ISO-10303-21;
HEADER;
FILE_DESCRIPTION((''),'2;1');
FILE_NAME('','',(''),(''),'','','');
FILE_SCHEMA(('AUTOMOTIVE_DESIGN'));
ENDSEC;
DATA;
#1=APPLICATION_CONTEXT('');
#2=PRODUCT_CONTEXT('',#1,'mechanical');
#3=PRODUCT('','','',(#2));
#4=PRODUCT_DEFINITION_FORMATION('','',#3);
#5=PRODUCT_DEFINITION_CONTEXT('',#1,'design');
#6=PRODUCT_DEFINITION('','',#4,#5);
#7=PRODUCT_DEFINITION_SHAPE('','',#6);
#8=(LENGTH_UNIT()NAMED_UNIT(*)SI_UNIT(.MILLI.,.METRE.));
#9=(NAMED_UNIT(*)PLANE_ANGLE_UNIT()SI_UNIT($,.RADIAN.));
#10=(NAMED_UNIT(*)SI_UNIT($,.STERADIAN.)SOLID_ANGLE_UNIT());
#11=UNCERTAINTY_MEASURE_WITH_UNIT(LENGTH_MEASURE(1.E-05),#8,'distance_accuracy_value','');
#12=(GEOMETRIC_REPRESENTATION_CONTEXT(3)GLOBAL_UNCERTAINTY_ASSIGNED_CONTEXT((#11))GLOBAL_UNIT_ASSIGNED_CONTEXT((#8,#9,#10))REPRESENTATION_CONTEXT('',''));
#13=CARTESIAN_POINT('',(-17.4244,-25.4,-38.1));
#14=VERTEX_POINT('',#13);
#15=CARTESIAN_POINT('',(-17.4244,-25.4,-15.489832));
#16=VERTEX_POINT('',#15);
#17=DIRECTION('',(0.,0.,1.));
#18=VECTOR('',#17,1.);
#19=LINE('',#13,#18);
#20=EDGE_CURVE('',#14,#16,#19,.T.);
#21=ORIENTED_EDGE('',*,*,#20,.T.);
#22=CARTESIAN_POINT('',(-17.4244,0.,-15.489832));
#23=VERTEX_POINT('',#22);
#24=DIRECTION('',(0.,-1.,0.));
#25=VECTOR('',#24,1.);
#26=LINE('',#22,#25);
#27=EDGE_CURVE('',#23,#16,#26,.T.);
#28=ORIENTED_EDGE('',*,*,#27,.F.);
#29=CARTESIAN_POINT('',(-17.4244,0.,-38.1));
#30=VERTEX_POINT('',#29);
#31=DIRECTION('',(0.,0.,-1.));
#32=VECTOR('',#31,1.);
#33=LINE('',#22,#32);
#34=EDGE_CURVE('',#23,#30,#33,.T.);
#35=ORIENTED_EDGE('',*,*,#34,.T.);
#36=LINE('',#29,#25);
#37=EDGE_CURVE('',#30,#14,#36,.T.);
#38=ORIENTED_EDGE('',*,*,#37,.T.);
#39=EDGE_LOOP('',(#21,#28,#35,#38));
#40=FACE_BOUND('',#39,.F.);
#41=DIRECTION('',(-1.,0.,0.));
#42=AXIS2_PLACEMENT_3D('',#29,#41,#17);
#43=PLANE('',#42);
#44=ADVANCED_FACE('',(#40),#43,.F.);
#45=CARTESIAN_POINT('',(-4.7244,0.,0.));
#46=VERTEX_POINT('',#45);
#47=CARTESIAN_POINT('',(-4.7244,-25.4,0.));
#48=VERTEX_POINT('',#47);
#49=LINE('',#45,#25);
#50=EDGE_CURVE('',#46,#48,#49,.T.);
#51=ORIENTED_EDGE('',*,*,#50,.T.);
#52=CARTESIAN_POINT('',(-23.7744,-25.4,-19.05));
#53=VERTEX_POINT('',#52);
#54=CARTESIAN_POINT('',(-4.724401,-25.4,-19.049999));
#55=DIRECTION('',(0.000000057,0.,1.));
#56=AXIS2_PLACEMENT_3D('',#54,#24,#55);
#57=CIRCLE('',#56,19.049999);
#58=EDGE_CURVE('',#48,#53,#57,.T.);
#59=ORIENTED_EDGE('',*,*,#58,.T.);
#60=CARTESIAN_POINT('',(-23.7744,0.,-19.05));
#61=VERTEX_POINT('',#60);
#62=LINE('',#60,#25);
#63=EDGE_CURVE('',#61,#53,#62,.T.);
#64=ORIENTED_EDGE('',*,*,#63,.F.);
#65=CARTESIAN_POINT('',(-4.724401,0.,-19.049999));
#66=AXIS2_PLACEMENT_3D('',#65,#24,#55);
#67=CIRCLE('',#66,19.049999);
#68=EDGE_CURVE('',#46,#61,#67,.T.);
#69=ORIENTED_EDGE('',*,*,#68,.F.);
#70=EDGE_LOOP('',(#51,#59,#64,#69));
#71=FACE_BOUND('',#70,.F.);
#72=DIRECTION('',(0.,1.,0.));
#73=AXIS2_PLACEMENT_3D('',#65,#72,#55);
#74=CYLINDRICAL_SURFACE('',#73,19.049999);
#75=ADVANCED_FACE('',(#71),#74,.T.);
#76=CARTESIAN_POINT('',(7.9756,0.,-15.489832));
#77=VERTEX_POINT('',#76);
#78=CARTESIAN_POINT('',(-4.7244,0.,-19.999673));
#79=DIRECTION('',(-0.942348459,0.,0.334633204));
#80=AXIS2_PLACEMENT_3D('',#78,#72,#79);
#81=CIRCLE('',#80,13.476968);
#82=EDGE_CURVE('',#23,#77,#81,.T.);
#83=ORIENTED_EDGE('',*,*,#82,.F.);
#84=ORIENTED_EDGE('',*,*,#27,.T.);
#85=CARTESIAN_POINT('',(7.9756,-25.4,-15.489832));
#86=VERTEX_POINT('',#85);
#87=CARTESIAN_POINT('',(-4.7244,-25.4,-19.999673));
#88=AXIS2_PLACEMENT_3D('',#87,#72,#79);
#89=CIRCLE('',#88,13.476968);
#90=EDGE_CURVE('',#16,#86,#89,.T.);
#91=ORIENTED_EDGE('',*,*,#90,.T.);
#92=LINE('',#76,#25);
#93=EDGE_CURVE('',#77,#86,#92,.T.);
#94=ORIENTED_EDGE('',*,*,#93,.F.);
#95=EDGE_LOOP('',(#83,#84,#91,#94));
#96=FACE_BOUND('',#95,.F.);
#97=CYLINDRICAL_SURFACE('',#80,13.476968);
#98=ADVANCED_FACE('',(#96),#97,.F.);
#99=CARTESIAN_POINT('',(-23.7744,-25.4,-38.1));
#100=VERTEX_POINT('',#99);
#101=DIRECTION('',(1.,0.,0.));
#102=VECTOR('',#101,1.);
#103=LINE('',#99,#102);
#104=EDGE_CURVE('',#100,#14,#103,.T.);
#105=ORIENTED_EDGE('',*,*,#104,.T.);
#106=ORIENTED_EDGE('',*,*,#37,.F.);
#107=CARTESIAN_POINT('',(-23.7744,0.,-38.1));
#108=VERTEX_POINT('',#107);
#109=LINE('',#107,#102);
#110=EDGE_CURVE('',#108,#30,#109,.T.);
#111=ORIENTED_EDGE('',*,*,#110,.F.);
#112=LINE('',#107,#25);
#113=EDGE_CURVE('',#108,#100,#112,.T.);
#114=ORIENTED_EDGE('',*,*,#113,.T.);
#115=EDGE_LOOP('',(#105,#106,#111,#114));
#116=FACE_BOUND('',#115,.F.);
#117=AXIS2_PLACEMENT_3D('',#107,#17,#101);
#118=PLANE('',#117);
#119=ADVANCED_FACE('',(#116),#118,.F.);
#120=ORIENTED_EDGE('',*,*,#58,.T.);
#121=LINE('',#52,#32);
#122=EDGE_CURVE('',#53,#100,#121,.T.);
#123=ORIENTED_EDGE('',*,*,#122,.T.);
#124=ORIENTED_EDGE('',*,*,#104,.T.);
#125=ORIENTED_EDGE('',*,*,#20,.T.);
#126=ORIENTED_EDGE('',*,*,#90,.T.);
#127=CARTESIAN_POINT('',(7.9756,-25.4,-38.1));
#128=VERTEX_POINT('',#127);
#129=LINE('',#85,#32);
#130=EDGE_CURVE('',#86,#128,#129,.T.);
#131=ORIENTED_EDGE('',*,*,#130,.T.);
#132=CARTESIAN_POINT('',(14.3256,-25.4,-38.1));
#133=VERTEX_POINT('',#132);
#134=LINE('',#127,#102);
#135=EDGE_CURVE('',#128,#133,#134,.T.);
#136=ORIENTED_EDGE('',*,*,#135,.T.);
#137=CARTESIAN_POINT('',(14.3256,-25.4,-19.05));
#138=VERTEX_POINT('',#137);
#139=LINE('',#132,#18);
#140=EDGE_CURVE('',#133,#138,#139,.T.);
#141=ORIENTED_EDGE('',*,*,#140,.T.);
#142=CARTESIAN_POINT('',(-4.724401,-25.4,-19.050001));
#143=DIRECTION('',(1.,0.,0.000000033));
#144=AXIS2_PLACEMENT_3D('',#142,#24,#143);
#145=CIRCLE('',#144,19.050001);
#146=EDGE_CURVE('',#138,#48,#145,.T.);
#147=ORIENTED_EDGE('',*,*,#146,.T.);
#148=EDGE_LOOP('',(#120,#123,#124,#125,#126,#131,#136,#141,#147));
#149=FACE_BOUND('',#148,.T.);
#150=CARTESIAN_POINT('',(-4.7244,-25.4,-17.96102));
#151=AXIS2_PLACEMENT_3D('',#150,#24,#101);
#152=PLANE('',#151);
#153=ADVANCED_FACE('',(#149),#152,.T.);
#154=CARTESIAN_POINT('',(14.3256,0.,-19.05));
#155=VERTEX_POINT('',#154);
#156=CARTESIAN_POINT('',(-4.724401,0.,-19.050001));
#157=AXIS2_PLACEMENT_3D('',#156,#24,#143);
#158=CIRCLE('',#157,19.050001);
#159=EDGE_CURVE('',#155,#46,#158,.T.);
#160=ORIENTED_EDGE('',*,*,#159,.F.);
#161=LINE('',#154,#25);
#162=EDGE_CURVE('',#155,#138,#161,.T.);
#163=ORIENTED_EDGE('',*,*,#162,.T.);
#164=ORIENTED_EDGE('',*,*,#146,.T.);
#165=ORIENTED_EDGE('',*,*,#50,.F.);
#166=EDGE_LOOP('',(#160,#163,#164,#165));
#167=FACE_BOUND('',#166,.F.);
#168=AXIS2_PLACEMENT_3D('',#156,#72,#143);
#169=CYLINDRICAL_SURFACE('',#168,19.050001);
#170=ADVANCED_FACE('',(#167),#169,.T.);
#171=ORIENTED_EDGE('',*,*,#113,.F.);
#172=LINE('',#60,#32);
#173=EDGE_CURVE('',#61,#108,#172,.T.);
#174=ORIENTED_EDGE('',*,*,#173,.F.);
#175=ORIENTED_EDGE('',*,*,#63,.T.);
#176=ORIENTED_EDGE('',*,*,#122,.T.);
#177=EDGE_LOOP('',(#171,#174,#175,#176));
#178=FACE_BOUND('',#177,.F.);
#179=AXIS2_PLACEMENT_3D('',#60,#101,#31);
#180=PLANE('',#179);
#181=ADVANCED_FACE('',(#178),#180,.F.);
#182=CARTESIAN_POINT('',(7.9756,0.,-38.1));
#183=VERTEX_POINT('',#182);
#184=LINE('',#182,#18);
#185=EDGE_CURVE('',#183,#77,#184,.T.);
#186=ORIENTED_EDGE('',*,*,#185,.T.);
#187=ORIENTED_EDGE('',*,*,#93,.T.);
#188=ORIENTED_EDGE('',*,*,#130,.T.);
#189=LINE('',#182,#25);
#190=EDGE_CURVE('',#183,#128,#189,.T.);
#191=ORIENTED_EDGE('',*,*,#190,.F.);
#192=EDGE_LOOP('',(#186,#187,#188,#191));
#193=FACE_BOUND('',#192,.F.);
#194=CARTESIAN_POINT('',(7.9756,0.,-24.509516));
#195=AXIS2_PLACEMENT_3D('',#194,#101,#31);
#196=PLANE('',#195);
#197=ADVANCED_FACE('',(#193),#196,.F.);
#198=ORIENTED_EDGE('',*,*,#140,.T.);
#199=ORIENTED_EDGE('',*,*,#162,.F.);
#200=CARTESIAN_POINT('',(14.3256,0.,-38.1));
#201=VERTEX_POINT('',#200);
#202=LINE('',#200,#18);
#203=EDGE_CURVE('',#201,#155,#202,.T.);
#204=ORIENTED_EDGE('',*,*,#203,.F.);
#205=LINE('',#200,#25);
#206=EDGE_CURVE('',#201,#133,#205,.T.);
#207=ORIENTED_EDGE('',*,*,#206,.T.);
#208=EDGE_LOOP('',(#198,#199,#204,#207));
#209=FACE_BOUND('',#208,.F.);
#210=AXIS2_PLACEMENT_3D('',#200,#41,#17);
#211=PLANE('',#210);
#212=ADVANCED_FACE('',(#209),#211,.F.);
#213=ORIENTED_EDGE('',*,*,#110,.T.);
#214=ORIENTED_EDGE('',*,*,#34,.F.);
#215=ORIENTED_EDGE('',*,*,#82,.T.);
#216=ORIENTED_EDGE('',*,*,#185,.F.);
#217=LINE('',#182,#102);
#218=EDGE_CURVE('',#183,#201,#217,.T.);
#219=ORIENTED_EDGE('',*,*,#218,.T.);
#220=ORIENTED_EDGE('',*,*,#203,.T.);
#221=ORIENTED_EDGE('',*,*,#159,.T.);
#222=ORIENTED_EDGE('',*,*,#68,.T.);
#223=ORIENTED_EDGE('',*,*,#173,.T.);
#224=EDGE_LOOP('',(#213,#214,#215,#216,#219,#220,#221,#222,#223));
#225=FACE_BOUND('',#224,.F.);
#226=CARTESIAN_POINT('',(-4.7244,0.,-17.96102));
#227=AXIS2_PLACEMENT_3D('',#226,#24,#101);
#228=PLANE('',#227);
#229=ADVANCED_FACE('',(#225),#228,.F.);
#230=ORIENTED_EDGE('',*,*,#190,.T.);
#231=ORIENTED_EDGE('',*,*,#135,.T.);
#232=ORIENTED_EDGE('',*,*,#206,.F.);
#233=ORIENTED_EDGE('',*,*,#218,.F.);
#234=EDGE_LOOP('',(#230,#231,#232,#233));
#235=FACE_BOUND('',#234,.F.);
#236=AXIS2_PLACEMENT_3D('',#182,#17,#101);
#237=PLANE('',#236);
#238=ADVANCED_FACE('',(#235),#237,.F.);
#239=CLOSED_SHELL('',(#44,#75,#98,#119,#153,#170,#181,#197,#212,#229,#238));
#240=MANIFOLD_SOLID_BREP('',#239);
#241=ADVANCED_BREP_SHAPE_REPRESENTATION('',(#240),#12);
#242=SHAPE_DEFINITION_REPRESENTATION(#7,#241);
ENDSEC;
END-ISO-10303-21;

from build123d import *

# Parameters (mm, degrees)
F1_DEPTH = 25.4
F2_DEPTH = 25.4
F3_DEPTH = 25.4


with BuildPart() as f1:
    # F0 (on Front) → F1 (new body)
    with BuildSketch(Plane.XZ):
        with BuildLine():
            ThreePointArc((-4.7244, 0), (-18.194785, -5.579616), (-23.7744, -19.05))
            Line((-23.7744, -19.05), (-23.7744, -38.1))
            Line((-23.7744, -38.1), (-17.4244, -38.1))
            Line((-17.4244, -38.1), (-17.4244, -24.509516))
            ThreePointArc((-17.4244, -24.509516), (-18.201369, -19.999674), (-17.4244, -15.489832))
            Line((-17.4244, -15.489832), (-17.4244, -6.35))
            Line((-17.4244, -6.35), (7.9756, -6.35))
            Line((7.9756, -6.35), (7.9756, -15.489832))
            ThreePointArc((7.9756, -15.489832), (8.752568, -19.999674), (7.9756, -24.509516))
            Line((7.9756, -24.509516), (7.9756, -38.1))
            Line((7.9756, -38.1), (14.3256, -38.1))
            Line((14.3256, -38.1), (14.3256, -19.05))
            ThreePointArc((14.3256, -19.05), (8.745984, -5.579616), (-4.7244, 0))
        make_face()
    extrude(amount=F1_DEPTH)

    # F0 (on Front) → F2 (join)
    with BuildSketch(Plane.XZ):
        with BuildLine():
            ThreePointArc((-4.7244, 0), (-18.194785, -5.579616), (-23.7744, -19.05))
            Line((-23.7744, -19.05), (-23.7744, -38.1))
            Line((-23.7744, -38.1), (-17.4244, -38.1))
            Line((-17.4244, -38.1), (-17.4244, -24.509516))
            ThreePointArc((-17.4244, -24.509516), (-18.201369, -19.999674), (-17.4244, -15.489832))
            Line((-17.4244, -15.489832), (-17.4244, -6.35))
            Line((-17.4244, -6.35), (7.9756, -6.35))
            Line((7.9756, -6.35), (7.9756, -15.489832))
            ThreePointArc((7.9756, -15.489832), (8.752568, -19.999674), (7.9756, -24.509516))
            Line((7.9756, -24.509516), (7.9756, -38.1))
            Line((7.9756, -38.1), (14.3256, -38.1))
            Line((14.3256, -38.1), (14.3256, -19.05))
            ThreePointArc((14.3256, -19.05), (8.745984, -5.579616), (-4.7244, 0))
        make_face()
        with BuildLine():
            ThreePointArc((-17.4244, -15.489832), (-18.201369, -19.999674), (-17.4244, -24.509516))
            Line((-17.4244, -24.509516), (-17.4244, -15.489832))
        make_face()
        with BuildLine():
            Line((-17.4244, -6.35), (-17.4244, -15.489832))
            ThreePointArc((-17.4244, -15.489832), (-4.7244, -6.522705), (7.9756, -15.489832))
            Line((7.9756, -15.489832), (7.9756, -6.35))
            Line((7.9756, -6.35), (-17.4244, -6.35))
        make_face()
        with BuildLine():
            ThreePointArc((7.9756, -24.509516), (8.752568, -19.999674), (7.9756, -15.489832))
            Line((7.9756, -15.489832), (7.9756, -24.509516))
        make_face()
    extrude(amount=F2_DEPTH)

    # F0 (on Front) → F3 (join)
    with BuildSketch(Plane.XZ):
        with BuildLine():
            ThreePointArc((-4.7244, 0), (-18.194785, -5.579616), (-23.7744, -19.05))
            Line((-23.7744, -19.05), (-23.7744, -38.1))
            Line((-23.7744, -38.1), (-17.4244, -38.1))
            Line((-17.4244, -38.1), (-17.4244, -24.509516))
            ThreePointArc((-17.4244, -24.509516), (-18.201369, -19.999674), (-17.4244, -15.489832))
            Line((-17.4244, -15.489832), (-17.4244, -6.35))
            Line((-17.4244, -6.35), (7.9756, -6.35))
            Line((7.9756, -6.35), (7.9756, -15.489832))
            ThreePointArc((7.9756, -15.489832), (8.752568, -19.999674), (7.9756, -24.509516))
            Line((7.9756, -24.509516), (7.9756, -38.1))
            Line((7.9756, -38.1), (14.3256, -38.1))
            Line((14.3256, -38.1), (14.3256, -19.05))
            ThreePointArc((14.3256, -19.05), (8.745984, -5.579616), (-4.7244, 0))
        make_face()
        with BuildLine():
            ThreePointArc((-17.4244, -15.489832), (-18.201369, -19.999674), (-17.4244, -24.509516))
            Line((-17.4244, -24.509516), (-17.4244, -15.489832))
        make_face()
        with BuildLine():
            Line((-17.4244, -6.35), (-17.4244, -15.489832))
            ThreePointArc((-17.4244, -15.489832), (-4.7244, -6.522705), (7.9756, -15.489832))
            Line((7.9756, -15.489832), (7.9756, -6.35))
            Line((7.9756, -6.35), (-17.4244, -6.35))
        make_face()
        with BuildLine():
            ThreePointArc((7.9756, -24.509516), (8.752568, -19.999674), (7.9756, -15.489832))
            Line((7.9756, -15.489832), (7.9756, -24.509516))
        make_face()
    extrude(amount=F3_DEPTH)


solid = f1.part
